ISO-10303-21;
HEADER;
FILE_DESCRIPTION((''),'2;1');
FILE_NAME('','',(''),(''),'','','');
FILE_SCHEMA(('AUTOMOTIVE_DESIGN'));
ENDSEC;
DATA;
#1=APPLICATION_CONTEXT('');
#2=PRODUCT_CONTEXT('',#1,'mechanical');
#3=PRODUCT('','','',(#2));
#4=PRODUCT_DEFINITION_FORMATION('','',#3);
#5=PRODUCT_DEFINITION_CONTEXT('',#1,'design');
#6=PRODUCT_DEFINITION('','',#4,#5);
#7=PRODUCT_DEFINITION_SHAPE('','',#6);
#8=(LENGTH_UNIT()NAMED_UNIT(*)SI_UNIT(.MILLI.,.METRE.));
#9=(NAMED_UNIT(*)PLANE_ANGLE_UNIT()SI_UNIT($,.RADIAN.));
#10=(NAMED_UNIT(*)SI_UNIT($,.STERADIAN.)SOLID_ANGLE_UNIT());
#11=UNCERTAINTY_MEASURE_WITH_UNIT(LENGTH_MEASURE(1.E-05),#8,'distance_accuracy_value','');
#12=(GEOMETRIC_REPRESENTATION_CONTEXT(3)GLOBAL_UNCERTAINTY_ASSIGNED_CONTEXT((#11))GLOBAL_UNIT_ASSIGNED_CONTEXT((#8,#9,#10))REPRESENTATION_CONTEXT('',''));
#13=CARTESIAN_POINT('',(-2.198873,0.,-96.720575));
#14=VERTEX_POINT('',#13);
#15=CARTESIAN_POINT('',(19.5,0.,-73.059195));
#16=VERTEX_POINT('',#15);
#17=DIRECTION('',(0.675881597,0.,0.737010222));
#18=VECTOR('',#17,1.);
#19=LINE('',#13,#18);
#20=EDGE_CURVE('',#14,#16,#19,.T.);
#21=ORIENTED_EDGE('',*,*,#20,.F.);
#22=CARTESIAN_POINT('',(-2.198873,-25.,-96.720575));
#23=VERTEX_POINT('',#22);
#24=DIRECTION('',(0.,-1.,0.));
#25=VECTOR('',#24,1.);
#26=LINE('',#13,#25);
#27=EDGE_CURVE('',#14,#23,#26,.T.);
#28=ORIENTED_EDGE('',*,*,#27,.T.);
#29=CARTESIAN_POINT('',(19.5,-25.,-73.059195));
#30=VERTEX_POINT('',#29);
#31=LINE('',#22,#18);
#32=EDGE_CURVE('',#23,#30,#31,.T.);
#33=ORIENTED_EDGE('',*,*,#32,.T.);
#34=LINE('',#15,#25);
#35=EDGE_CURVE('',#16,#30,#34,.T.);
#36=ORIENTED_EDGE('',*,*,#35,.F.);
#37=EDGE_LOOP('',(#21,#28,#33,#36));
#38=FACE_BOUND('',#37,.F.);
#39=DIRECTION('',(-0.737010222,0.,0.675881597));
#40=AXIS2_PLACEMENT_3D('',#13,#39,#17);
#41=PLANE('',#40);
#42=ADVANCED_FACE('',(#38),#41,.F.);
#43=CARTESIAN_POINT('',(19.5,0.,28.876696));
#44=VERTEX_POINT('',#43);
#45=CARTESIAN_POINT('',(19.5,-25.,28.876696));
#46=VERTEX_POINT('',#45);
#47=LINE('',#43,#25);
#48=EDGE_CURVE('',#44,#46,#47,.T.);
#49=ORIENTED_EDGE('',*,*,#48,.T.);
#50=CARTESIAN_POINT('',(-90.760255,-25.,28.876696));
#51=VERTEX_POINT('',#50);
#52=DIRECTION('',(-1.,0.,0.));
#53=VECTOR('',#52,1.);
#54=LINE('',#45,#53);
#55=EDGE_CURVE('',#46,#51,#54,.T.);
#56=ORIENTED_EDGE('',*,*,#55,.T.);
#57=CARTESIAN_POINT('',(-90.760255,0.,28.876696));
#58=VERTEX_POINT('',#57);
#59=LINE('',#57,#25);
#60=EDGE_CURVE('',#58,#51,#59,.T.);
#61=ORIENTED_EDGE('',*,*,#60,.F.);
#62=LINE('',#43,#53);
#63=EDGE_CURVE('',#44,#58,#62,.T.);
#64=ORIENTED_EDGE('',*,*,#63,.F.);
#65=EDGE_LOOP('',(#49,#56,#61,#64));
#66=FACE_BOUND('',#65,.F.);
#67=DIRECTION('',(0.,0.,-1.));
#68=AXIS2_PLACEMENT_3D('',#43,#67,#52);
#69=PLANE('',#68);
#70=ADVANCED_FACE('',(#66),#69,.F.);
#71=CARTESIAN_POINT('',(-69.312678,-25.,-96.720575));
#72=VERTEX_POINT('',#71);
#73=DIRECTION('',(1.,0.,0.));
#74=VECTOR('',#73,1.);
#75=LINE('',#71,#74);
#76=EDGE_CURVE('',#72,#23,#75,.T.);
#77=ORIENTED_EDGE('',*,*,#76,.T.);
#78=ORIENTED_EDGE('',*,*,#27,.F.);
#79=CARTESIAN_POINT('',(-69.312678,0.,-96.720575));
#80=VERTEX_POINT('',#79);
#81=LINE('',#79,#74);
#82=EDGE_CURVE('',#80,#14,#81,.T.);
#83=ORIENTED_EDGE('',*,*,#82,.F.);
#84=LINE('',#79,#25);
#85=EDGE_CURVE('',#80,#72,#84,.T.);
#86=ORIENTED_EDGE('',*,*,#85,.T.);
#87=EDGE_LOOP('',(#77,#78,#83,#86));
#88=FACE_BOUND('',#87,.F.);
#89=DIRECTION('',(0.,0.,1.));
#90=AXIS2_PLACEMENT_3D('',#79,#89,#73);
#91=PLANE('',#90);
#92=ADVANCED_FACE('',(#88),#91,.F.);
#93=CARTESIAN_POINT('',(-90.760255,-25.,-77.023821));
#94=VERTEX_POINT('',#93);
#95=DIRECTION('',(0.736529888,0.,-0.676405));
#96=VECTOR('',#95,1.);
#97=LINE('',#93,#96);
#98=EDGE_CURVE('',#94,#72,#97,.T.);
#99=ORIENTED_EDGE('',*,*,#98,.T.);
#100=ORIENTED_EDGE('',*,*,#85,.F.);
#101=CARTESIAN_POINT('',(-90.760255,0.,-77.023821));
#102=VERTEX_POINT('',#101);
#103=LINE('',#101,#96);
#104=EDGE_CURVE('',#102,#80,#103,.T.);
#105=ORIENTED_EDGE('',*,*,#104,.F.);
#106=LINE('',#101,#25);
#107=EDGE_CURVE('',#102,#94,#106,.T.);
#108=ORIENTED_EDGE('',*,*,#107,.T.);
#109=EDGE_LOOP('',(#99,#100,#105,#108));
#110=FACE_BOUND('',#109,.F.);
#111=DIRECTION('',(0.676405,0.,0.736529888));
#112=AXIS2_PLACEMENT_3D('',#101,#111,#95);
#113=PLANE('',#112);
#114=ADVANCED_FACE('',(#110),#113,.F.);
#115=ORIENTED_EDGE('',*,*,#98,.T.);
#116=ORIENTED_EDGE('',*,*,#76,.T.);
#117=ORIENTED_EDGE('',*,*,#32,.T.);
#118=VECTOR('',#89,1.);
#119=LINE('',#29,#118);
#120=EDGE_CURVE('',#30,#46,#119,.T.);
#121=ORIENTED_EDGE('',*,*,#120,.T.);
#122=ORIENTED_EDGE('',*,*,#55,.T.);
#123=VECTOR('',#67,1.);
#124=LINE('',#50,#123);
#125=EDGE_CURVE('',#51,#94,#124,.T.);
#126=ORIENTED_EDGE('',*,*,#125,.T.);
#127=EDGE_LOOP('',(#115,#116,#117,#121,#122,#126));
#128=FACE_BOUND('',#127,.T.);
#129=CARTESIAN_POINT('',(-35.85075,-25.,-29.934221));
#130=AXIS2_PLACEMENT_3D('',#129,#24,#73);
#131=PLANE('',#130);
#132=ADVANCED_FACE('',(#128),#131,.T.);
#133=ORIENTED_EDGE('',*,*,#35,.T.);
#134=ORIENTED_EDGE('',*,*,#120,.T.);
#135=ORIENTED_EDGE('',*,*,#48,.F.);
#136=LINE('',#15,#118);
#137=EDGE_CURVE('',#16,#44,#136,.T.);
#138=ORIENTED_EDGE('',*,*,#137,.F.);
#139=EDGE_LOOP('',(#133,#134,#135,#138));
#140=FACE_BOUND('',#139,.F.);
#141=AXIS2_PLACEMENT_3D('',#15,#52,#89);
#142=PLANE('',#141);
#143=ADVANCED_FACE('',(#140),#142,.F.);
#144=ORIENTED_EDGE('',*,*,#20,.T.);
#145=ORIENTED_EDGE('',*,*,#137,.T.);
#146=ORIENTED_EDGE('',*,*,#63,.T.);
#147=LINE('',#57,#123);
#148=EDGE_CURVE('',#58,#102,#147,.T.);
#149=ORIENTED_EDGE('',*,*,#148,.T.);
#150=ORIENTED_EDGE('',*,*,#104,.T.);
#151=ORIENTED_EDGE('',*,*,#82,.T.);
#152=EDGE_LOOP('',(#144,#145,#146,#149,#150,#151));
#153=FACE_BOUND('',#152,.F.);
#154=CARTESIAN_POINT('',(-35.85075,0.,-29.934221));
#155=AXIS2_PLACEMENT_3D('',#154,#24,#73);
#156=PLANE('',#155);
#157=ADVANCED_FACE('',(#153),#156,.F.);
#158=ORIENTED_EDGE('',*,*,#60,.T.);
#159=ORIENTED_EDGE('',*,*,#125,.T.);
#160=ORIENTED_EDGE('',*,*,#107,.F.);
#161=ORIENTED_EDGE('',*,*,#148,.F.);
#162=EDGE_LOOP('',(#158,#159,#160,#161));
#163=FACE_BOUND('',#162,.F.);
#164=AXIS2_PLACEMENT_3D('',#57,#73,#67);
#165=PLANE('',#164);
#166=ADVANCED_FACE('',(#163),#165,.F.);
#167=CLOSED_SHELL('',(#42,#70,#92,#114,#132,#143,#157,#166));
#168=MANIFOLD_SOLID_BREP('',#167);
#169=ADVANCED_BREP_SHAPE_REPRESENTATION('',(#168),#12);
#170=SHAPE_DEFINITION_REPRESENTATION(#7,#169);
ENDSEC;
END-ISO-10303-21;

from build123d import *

# Parameters (mm, degrees)
F2_DEPTH = 25


with BuildPart() as f2:
    # F1 (on face) → F2 (new body)
    with BuildSketch(Plane.XZ):
        Polygon((19.5, 28.8766958117), (-90.7602548171, 28.8766958117), (-90.7602548171, -77.0238212563), (-69.3126782044, -96.7205752883), (-2.1988731881, -96.7205752883), (19.5, -73.0591952168), align=None)
    extrude(amount=F2_DEPTH)


solid = f2.part
